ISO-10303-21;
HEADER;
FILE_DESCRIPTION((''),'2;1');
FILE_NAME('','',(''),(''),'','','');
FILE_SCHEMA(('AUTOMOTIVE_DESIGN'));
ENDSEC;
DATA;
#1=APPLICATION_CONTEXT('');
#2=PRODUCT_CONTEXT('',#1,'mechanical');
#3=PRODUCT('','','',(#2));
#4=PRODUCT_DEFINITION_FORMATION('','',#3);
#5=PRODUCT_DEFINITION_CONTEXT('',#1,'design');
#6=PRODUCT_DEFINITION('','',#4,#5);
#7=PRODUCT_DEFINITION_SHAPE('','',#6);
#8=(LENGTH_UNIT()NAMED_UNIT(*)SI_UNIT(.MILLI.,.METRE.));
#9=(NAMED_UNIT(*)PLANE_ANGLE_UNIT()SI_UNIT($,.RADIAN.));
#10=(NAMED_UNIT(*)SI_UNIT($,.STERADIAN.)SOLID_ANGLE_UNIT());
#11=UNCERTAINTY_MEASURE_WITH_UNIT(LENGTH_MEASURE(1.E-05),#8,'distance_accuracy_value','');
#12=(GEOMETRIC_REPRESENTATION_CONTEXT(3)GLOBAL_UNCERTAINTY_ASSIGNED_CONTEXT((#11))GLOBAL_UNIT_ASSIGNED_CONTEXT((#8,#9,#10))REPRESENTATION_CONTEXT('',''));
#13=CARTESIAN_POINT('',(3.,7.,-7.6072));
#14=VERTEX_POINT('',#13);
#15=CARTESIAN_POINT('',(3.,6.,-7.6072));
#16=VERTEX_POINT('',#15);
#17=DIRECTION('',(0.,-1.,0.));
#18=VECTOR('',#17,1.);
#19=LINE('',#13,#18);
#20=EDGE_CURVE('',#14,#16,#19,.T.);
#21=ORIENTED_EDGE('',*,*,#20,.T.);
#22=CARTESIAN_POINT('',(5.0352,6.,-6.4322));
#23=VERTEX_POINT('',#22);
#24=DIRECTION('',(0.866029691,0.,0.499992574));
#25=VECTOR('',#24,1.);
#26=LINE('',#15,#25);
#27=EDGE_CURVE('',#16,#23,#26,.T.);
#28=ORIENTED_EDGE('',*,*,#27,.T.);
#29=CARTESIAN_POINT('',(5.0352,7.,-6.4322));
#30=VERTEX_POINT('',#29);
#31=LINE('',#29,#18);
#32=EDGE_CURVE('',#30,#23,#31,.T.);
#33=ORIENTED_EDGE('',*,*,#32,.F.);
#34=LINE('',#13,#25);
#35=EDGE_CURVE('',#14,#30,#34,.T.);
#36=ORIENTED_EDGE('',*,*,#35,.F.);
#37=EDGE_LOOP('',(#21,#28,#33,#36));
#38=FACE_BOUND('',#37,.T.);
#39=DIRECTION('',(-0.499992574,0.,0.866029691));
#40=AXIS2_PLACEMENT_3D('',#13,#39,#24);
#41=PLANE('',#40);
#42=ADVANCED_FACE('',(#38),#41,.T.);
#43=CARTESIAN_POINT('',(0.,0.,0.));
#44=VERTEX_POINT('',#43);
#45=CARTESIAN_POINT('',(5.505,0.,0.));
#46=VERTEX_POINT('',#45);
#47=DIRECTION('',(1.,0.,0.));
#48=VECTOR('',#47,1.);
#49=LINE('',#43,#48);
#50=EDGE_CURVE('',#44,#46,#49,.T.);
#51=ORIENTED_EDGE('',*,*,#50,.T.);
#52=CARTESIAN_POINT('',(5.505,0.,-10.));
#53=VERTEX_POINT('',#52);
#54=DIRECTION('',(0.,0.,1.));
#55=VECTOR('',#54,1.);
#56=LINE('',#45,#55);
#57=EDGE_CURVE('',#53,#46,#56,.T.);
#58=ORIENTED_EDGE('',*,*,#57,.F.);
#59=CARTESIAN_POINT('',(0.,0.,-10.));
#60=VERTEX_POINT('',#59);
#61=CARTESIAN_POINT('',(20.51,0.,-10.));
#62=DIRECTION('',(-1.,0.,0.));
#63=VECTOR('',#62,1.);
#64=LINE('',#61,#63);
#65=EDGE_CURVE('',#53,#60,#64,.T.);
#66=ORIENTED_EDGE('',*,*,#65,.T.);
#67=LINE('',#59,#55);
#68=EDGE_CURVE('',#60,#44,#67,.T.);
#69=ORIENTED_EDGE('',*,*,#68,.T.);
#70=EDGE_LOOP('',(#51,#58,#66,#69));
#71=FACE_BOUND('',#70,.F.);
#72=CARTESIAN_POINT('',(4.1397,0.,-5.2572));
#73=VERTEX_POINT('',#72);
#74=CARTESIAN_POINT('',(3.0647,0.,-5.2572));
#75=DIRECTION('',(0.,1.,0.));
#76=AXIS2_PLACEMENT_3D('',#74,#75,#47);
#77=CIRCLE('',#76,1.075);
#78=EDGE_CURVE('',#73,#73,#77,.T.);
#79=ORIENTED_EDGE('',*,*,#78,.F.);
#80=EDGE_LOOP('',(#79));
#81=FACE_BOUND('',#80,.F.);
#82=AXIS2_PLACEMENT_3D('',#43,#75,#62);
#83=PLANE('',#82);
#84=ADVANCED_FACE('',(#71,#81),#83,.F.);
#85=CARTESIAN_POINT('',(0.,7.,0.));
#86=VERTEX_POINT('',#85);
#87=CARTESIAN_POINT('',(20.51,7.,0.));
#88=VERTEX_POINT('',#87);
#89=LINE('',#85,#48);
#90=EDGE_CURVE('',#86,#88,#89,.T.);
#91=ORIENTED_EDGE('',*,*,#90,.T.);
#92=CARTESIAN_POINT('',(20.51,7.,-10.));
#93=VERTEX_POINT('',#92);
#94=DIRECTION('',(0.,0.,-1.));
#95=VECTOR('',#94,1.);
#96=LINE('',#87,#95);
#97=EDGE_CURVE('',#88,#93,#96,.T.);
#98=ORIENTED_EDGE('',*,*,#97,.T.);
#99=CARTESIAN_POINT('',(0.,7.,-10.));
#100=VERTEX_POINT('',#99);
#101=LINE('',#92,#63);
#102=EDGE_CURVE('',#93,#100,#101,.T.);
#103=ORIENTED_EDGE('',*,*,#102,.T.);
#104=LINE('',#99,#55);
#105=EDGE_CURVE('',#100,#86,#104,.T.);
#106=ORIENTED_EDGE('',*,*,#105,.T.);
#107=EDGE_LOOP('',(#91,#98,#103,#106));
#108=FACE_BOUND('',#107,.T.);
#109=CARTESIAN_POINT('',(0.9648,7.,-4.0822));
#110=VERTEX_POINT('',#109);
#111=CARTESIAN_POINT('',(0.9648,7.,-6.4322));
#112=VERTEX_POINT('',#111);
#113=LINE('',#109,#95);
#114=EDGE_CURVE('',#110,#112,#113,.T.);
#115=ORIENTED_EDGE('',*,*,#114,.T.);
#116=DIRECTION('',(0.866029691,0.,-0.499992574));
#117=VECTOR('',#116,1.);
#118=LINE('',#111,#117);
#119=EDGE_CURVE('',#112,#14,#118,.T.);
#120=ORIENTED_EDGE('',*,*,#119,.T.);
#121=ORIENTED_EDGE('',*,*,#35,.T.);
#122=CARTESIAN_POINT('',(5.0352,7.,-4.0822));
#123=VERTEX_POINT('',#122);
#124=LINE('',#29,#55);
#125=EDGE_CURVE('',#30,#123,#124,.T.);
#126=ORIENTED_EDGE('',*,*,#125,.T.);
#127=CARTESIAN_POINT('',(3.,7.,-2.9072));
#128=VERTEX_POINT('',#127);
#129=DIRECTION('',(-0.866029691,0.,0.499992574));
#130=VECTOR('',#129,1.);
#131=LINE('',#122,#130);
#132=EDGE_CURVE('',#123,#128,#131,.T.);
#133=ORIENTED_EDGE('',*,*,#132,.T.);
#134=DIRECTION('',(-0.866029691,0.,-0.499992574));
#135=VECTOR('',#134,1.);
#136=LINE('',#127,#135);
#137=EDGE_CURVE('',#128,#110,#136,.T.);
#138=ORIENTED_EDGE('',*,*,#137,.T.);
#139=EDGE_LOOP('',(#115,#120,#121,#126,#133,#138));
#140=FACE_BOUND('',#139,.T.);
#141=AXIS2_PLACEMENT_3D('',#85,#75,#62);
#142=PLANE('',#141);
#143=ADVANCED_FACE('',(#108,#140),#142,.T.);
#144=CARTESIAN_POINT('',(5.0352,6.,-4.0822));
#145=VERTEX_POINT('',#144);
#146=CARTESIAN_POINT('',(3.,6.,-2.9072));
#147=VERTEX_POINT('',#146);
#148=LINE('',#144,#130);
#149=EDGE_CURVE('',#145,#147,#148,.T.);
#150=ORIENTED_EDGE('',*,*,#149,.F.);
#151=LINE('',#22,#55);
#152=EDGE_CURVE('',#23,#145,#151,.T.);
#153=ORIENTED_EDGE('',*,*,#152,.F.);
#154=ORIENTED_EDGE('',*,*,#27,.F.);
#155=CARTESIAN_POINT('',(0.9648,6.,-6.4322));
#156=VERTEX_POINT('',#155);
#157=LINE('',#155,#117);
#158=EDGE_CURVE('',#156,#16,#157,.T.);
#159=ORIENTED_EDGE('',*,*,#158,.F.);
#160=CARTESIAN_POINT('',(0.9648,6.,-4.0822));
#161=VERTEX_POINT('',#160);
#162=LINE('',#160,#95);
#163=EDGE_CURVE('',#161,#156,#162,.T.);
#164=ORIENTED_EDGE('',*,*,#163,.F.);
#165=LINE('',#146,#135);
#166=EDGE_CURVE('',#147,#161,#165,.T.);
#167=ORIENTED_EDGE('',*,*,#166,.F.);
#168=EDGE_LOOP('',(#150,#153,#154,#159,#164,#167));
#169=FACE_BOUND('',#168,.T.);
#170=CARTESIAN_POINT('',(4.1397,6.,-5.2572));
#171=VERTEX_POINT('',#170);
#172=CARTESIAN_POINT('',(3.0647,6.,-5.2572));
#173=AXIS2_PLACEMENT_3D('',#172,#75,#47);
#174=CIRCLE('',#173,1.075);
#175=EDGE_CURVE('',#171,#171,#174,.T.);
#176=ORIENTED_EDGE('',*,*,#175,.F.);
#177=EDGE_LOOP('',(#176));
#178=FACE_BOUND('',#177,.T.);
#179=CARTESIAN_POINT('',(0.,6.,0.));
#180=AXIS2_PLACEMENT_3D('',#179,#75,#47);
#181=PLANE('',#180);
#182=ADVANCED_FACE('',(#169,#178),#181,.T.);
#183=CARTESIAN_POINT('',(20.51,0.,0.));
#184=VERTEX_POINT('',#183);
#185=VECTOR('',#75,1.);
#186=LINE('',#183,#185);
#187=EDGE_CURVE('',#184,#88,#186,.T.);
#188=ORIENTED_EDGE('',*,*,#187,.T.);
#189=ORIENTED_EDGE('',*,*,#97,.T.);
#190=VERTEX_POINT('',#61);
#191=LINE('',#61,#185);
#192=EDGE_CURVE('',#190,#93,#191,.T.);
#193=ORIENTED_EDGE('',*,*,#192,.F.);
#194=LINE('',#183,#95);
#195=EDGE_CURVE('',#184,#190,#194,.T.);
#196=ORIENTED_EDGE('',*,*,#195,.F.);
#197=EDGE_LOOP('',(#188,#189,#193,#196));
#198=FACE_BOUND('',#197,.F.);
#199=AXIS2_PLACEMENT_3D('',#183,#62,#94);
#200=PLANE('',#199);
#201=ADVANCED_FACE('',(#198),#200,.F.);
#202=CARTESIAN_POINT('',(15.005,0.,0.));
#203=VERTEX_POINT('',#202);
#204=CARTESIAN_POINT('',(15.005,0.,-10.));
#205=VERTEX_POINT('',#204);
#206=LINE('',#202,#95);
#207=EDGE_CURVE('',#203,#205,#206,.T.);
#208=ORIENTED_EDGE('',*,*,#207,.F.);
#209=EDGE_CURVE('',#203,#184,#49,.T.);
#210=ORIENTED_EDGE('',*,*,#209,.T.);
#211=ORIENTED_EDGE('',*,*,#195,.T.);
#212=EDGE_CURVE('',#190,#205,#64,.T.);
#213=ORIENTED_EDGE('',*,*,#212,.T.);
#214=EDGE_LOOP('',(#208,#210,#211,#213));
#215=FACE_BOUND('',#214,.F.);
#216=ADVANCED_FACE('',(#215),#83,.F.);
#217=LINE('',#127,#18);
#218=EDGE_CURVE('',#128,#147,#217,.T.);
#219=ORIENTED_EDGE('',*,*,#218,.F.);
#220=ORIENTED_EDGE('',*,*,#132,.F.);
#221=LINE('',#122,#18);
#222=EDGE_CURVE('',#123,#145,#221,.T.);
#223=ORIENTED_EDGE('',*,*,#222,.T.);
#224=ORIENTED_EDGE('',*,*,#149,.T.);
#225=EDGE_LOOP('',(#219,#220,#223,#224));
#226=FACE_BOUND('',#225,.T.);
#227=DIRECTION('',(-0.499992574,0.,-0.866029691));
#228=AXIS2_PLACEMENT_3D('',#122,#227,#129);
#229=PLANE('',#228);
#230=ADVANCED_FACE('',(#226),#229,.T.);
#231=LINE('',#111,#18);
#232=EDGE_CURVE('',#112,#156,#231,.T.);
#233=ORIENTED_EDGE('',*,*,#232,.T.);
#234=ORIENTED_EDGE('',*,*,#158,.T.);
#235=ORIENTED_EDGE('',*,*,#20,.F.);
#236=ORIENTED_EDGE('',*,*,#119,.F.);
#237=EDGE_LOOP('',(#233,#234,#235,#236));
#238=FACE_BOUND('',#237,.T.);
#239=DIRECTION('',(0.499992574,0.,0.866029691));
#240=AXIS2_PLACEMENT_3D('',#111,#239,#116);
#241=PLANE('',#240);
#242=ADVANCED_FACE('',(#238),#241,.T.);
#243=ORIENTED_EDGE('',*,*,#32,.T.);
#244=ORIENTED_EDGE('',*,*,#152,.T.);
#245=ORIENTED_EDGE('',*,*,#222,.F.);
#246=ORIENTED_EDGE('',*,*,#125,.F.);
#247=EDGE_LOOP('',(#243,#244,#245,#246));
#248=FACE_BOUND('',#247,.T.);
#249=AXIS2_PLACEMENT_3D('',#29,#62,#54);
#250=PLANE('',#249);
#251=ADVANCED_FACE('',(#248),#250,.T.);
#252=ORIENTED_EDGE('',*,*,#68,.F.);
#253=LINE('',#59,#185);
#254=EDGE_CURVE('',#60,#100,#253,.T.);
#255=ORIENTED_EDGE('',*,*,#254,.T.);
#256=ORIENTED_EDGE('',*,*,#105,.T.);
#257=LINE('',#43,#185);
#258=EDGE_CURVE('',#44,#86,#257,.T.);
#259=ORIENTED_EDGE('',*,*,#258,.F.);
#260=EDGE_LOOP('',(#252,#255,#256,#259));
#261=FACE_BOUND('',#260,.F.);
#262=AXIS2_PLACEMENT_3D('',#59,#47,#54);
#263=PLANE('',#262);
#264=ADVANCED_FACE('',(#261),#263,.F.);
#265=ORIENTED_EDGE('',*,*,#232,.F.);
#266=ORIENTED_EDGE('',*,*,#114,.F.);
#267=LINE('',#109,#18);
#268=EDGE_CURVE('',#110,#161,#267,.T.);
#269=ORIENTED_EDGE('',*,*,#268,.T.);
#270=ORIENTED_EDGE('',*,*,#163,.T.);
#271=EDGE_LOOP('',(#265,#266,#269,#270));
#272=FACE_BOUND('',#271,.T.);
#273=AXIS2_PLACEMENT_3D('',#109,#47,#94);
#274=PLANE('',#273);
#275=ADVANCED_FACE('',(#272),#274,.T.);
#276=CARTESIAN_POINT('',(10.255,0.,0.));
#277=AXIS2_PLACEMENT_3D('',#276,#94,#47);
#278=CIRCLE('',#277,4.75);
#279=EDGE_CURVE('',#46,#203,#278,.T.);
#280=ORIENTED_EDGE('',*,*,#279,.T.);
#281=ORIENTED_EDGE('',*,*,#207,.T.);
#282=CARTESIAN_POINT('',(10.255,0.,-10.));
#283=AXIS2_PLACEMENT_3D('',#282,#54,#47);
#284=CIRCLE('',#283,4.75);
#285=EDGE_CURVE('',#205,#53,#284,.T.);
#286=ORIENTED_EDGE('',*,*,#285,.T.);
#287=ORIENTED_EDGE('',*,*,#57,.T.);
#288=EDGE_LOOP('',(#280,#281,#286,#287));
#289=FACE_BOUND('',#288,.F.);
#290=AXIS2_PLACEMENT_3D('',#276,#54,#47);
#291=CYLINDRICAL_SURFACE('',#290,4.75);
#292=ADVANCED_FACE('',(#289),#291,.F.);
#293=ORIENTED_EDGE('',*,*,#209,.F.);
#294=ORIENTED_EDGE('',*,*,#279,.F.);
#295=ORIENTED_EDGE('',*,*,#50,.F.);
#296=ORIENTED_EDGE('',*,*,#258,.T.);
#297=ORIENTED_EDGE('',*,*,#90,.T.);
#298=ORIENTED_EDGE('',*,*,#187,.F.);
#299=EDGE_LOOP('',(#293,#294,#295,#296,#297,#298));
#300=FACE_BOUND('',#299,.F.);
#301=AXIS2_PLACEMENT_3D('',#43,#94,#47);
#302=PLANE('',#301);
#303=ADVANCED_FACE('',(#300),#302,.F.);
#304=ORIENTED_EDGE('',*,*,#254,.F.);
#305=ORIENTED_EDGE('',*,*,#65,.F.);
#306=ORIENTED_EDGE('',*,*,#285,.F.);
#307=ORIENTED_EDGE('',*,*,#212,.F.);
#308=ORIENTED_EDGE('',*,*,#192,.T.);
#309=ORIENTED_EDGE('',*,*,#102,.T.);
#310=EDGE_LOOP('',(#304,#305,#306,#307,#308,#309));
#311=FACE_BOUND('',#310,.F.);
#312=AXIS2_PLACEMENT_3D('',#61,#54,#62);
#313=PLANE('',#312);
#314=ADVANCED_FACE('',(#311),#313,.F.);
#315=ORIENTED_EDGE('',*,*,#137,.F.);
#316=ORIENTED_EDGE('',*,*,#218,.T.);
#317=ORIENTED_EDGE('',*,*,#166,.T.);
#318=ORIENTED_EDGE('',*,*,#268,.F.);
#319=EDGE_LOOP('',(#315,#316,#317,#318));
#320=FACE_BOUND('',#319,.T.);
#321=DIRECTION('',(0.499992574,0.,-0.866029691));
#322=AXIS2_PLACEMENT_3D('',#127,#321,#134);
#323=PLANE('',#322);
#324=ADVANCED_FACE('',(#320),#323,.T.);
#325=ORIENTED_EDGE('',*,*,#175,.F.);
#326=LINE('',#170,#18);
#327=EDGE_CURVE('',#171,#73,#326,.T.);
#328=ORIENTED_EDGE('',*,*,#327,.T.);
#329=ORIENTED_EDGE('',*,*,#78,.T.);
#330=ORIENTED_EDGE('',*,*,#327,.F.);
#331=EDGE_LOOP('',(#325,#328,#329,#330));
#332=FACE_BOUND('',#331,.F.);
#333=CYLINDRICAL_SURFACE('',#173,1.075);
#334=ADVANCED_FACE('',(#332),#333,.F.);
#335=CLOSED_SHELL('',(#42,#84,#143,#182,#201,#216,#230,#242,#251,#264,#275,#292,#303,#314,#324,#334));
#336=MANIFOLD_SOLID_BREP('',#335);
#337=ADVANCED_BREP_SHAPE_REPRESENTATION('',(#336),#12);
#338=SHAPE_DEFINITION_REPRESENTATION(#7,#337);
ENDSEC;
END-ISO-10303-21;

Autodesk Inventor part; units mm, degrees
ref_plane "YZ Plane" through (0, 0, 0) normal (1, 0, 0) x (0, 1, 0)
ref_plane "XZ Plane" through (0, 0, 0) normal (0, 1, 0) x (-1, 0, 0)
ref_plane "XY Plane" through (0, 0, 0) normal (0, 0, 1) x (1, 0, 0)
sketch "Sketch1" plane through (0, 0, 0) normal (0, 1, 0) x (-1, 0, 0)
  line L0 (0, 0) -> (-20.51, 0)
  line L1 (-20.51, 0) -> (-20.51, -10)
  line L2 (-20.51, -10) -> (0, -10)
  line L3 (0, -10) -> (0, 0)
  dimension "d0" = 20.51
  dimension "d1" = 10
extrude "Extrusion1" add sketch "Sketch1" along normal blind 7
sketch "Sketch2" plane through (0, 0, 0) normal (0, 0, 1) x (1, 0, 0)
  line L0 (20.51, 0) -> (0, 0) projected
  circle A0 centre (10.255, 0) radius 4.75
  dimension "d4" = 9.5
extrude "Extrusion2" cut sketch "Sketch2" against normal through all
sketch "Sketch3" plane through (0, 7, 0) normal (0, 1, 0) x (1, 0, 0)
  line L0 (3, 7.6072) -> (5.0352, 6.4322)
  line L1 (5.0352, 6.4322) -> (5.0352, 4.0822)
  line L2 (5.0352, 4.0822) -> (3, 2.9072)
  line L3 (3, 2.9072) -> (0.9648, 4.0822)
  line L4 (0.9648, 4.0822) -> (0.9648, 6.4322)
  line L5 (0.9648, 6.4322) -> (3, 7.6072)
  point P0 (0, 0)
  point P1 (3, 5.2572)
extrude "Extrusion3" cut sketch "Sketch3" against normal blind 1
sketch "Sketch4" plane through (0, 6, 0) normal (0, 1, 0) x (1, 0, 0)
  circle A0 centre (3.0647, 5.2572) radius 1.075
  point P0 (0, 0)
  dimension "d10" = 2.15
extrude "Extrusion4" cut sketch "Sketch4" against normal through all
properties part number "dg_clampv2"
